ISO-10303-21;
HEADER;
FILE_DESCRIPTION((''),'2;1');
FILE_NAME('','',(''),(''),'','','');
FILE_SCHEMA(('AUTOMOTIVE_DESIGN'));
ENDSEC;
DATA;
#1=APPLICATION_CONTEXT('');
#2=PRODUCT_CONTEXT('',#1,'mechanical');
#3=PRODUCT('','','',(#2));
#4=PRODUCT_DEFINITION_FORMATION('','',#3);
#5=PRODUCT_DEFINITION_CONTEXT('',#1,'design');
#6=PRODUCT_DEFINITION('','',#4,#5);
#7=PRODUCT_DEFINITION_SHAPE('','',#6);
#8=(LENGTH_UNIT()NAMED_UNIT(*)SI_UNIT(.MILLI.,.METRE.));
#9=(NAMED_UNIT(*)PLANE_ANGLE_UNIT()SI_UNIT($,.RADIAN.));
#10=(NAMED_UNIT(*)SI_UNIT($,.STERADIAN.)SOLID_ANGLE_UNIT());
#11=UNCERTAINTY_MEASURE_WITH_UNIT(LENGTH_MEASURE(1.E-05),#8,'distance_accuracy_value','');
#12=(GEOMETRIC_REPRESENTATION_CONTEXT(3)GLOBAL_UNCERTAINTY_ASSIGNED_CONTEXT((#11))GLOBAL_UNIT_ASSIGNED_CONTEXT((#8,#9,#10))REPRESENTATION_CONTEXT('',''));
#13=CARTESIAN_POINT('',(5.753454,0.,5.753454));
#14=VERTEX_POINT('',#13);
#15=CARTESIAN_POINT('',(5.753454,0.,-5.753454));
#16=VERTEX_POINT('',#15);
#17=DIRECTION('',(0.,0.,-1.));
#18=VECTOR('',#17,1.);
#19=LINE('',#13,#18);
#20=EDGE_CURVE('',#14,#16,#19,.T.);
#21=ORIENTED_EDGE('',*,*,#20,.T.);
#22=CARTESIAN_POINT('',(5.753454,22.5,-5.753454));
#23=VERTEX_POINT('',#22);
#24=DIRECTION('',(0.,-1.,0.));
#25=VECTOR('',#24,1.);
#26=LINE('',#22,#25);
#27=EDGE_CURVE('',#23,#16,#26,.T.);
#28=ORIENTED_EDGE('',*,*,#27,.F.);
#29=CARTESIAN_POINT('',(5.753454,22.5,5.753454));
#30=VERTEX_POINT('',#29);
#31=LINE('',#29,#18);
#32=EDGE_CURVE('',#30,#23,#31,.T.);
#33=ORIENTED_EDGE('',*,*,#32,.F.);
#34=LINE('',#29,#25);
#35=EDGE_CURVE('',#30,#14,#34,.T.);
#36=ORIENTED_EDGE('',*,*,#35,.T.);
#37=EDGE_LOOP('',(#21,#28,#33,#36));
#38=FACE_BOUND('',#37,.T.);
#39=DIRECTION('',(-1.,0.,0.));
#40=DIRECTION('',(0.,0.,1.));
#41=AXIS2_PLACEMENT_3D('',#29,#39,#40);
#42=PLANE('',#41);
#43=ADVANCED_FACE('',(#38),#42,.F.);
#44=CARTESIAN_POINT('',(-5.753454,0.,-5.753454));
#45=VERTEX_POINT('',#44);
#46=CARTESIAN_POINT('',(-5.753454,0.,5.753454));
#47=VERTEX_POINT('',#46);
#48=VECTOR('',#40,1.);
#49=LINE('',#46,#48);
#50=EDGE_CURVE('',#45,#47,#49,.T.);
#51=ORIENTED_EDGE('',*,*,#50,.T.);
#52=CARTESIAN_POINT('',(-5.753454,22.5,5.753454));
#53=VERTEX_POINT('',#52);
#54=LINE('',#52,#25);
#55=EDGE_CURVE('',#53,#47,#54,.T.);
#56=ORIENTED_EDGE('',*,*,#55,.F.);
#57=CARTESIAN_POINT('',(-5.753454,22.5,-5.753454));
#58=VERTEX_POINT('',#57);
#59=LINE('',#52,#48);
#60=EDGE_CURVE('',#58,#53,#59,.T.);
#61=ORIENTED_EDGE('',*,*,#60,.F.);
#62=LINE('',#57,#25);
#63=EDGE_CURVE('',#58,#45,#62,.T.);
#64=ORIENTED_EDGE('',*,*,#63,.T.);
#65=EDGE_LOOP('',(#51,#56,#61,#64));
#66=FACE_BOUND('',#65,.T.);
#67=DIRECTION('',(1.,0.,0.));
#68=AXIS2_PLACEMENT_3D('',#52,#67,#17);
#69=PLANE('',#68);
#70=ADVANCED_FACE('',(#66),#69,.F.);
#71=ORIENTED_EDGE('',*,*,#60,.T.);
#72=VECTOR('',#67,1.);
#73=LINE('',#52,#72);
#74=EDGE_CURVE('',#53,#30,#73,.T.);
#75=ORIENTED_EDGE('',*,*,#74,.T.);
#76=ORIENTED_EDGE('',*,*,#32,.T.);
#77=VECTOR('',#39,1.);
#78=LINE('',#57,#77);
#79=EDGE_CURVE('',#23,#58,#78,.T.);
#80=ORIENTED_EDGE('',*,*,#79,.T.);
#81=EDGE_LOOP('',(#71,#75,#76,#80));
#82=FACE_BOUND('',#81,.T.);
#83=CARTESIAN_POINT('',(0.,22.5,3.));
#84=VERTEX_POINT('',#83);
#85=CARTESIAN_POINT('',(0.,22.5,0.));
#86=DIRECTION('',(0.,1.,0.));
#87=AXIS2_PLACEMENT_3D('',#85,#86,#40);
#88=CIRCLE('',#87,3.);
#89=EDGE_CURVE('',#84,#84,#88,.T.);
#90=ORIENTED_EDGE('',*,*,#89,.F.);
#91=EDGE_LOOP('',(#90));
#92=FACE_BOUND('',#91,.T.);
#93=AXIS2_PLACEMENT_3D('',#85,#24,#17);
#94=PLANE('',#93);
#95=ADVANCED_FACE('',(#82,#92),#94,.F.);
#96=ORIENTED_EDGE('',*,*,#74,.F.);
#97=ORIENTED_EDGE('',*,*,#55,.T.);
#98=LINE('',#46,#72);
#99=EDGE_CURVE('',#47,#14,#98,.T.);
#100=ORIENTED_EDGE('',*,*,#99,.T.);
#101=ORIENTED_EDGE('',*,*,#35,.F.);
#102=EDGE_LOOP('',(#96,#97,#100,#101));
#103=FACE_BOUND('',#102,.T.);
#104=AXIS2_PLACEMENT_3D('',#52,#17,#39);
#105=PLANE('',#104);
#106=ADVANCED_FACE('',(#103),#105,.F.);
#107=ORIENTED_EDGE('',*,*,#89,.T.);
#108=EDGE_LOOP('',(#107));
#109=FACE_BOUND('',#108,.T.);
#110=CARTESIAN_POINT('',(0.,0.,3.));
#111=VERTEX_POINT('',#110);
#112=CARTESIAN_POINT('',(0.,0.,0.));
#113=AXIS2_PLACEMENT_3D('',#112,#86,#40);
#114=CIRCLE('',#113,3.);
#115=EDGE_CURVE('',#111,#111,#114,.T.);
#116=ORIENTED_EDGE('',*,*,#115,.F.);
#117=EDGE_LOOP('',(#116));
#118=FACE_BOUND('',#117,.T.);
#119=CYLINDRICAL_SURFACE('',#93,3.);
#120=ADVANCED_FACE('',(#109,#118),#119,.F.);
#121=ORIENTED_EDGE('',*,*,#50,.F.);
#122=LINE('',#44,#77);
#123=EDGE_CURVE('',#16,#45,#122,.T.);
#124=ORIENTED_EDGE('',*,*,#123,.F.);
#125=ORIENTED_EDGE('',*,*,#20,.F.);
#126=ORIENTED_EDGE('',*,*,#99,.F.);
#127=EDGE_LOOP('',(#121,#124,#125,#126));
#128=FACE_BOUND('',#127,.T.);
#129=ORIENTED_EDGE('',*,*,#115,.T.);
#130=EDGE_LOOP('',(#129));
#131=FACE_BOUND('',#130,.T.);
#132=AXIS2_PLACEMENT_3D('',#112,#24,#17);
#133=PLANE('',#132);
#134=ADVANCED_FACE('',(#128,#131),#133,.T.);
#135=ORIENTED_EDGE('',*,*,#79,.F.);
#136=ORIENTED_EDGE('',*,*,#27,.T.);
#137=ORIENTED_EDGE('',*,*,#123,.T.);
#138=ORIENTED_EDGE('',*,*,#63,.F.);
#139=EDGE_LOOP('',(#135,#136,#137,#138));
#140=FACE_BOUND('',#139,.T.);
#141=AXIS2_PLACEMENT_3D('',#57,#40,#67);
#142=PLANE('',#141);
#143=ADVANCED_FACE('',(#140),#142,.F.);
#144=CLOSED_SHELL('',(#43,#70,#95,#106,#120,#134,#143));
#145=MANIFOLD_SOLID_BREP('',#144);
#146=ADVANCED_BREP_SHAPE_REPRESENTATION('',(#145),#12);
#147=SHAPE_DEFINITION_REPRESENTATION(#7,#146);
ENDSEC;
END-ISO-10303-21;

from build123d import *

# Parameters (mm, degrees)
SKETCH1_W           = 11.506907796
SKETCH1_H           = 11.506907796
SKETCH1_R           = 3
BOSS_EXTRUDE1_DEPTH = 22.5


with BuildPart() as part:
    # Sketch1 → Boss-Extrude1 (new body)
    with BuildSketch(Plane(origin=(0, 0, 0), x_dir=(1, 0, 0), z_dir=(0, 1, 0))):
        Rectangle(SKETCH1_W, SKETCH1_H)
        Circle(SKETCH1_R, mode=Mode.SUBTRACT)
    extrude(amount=BOSS_EXTRUDE1_DEPTH)


solid = part.part
